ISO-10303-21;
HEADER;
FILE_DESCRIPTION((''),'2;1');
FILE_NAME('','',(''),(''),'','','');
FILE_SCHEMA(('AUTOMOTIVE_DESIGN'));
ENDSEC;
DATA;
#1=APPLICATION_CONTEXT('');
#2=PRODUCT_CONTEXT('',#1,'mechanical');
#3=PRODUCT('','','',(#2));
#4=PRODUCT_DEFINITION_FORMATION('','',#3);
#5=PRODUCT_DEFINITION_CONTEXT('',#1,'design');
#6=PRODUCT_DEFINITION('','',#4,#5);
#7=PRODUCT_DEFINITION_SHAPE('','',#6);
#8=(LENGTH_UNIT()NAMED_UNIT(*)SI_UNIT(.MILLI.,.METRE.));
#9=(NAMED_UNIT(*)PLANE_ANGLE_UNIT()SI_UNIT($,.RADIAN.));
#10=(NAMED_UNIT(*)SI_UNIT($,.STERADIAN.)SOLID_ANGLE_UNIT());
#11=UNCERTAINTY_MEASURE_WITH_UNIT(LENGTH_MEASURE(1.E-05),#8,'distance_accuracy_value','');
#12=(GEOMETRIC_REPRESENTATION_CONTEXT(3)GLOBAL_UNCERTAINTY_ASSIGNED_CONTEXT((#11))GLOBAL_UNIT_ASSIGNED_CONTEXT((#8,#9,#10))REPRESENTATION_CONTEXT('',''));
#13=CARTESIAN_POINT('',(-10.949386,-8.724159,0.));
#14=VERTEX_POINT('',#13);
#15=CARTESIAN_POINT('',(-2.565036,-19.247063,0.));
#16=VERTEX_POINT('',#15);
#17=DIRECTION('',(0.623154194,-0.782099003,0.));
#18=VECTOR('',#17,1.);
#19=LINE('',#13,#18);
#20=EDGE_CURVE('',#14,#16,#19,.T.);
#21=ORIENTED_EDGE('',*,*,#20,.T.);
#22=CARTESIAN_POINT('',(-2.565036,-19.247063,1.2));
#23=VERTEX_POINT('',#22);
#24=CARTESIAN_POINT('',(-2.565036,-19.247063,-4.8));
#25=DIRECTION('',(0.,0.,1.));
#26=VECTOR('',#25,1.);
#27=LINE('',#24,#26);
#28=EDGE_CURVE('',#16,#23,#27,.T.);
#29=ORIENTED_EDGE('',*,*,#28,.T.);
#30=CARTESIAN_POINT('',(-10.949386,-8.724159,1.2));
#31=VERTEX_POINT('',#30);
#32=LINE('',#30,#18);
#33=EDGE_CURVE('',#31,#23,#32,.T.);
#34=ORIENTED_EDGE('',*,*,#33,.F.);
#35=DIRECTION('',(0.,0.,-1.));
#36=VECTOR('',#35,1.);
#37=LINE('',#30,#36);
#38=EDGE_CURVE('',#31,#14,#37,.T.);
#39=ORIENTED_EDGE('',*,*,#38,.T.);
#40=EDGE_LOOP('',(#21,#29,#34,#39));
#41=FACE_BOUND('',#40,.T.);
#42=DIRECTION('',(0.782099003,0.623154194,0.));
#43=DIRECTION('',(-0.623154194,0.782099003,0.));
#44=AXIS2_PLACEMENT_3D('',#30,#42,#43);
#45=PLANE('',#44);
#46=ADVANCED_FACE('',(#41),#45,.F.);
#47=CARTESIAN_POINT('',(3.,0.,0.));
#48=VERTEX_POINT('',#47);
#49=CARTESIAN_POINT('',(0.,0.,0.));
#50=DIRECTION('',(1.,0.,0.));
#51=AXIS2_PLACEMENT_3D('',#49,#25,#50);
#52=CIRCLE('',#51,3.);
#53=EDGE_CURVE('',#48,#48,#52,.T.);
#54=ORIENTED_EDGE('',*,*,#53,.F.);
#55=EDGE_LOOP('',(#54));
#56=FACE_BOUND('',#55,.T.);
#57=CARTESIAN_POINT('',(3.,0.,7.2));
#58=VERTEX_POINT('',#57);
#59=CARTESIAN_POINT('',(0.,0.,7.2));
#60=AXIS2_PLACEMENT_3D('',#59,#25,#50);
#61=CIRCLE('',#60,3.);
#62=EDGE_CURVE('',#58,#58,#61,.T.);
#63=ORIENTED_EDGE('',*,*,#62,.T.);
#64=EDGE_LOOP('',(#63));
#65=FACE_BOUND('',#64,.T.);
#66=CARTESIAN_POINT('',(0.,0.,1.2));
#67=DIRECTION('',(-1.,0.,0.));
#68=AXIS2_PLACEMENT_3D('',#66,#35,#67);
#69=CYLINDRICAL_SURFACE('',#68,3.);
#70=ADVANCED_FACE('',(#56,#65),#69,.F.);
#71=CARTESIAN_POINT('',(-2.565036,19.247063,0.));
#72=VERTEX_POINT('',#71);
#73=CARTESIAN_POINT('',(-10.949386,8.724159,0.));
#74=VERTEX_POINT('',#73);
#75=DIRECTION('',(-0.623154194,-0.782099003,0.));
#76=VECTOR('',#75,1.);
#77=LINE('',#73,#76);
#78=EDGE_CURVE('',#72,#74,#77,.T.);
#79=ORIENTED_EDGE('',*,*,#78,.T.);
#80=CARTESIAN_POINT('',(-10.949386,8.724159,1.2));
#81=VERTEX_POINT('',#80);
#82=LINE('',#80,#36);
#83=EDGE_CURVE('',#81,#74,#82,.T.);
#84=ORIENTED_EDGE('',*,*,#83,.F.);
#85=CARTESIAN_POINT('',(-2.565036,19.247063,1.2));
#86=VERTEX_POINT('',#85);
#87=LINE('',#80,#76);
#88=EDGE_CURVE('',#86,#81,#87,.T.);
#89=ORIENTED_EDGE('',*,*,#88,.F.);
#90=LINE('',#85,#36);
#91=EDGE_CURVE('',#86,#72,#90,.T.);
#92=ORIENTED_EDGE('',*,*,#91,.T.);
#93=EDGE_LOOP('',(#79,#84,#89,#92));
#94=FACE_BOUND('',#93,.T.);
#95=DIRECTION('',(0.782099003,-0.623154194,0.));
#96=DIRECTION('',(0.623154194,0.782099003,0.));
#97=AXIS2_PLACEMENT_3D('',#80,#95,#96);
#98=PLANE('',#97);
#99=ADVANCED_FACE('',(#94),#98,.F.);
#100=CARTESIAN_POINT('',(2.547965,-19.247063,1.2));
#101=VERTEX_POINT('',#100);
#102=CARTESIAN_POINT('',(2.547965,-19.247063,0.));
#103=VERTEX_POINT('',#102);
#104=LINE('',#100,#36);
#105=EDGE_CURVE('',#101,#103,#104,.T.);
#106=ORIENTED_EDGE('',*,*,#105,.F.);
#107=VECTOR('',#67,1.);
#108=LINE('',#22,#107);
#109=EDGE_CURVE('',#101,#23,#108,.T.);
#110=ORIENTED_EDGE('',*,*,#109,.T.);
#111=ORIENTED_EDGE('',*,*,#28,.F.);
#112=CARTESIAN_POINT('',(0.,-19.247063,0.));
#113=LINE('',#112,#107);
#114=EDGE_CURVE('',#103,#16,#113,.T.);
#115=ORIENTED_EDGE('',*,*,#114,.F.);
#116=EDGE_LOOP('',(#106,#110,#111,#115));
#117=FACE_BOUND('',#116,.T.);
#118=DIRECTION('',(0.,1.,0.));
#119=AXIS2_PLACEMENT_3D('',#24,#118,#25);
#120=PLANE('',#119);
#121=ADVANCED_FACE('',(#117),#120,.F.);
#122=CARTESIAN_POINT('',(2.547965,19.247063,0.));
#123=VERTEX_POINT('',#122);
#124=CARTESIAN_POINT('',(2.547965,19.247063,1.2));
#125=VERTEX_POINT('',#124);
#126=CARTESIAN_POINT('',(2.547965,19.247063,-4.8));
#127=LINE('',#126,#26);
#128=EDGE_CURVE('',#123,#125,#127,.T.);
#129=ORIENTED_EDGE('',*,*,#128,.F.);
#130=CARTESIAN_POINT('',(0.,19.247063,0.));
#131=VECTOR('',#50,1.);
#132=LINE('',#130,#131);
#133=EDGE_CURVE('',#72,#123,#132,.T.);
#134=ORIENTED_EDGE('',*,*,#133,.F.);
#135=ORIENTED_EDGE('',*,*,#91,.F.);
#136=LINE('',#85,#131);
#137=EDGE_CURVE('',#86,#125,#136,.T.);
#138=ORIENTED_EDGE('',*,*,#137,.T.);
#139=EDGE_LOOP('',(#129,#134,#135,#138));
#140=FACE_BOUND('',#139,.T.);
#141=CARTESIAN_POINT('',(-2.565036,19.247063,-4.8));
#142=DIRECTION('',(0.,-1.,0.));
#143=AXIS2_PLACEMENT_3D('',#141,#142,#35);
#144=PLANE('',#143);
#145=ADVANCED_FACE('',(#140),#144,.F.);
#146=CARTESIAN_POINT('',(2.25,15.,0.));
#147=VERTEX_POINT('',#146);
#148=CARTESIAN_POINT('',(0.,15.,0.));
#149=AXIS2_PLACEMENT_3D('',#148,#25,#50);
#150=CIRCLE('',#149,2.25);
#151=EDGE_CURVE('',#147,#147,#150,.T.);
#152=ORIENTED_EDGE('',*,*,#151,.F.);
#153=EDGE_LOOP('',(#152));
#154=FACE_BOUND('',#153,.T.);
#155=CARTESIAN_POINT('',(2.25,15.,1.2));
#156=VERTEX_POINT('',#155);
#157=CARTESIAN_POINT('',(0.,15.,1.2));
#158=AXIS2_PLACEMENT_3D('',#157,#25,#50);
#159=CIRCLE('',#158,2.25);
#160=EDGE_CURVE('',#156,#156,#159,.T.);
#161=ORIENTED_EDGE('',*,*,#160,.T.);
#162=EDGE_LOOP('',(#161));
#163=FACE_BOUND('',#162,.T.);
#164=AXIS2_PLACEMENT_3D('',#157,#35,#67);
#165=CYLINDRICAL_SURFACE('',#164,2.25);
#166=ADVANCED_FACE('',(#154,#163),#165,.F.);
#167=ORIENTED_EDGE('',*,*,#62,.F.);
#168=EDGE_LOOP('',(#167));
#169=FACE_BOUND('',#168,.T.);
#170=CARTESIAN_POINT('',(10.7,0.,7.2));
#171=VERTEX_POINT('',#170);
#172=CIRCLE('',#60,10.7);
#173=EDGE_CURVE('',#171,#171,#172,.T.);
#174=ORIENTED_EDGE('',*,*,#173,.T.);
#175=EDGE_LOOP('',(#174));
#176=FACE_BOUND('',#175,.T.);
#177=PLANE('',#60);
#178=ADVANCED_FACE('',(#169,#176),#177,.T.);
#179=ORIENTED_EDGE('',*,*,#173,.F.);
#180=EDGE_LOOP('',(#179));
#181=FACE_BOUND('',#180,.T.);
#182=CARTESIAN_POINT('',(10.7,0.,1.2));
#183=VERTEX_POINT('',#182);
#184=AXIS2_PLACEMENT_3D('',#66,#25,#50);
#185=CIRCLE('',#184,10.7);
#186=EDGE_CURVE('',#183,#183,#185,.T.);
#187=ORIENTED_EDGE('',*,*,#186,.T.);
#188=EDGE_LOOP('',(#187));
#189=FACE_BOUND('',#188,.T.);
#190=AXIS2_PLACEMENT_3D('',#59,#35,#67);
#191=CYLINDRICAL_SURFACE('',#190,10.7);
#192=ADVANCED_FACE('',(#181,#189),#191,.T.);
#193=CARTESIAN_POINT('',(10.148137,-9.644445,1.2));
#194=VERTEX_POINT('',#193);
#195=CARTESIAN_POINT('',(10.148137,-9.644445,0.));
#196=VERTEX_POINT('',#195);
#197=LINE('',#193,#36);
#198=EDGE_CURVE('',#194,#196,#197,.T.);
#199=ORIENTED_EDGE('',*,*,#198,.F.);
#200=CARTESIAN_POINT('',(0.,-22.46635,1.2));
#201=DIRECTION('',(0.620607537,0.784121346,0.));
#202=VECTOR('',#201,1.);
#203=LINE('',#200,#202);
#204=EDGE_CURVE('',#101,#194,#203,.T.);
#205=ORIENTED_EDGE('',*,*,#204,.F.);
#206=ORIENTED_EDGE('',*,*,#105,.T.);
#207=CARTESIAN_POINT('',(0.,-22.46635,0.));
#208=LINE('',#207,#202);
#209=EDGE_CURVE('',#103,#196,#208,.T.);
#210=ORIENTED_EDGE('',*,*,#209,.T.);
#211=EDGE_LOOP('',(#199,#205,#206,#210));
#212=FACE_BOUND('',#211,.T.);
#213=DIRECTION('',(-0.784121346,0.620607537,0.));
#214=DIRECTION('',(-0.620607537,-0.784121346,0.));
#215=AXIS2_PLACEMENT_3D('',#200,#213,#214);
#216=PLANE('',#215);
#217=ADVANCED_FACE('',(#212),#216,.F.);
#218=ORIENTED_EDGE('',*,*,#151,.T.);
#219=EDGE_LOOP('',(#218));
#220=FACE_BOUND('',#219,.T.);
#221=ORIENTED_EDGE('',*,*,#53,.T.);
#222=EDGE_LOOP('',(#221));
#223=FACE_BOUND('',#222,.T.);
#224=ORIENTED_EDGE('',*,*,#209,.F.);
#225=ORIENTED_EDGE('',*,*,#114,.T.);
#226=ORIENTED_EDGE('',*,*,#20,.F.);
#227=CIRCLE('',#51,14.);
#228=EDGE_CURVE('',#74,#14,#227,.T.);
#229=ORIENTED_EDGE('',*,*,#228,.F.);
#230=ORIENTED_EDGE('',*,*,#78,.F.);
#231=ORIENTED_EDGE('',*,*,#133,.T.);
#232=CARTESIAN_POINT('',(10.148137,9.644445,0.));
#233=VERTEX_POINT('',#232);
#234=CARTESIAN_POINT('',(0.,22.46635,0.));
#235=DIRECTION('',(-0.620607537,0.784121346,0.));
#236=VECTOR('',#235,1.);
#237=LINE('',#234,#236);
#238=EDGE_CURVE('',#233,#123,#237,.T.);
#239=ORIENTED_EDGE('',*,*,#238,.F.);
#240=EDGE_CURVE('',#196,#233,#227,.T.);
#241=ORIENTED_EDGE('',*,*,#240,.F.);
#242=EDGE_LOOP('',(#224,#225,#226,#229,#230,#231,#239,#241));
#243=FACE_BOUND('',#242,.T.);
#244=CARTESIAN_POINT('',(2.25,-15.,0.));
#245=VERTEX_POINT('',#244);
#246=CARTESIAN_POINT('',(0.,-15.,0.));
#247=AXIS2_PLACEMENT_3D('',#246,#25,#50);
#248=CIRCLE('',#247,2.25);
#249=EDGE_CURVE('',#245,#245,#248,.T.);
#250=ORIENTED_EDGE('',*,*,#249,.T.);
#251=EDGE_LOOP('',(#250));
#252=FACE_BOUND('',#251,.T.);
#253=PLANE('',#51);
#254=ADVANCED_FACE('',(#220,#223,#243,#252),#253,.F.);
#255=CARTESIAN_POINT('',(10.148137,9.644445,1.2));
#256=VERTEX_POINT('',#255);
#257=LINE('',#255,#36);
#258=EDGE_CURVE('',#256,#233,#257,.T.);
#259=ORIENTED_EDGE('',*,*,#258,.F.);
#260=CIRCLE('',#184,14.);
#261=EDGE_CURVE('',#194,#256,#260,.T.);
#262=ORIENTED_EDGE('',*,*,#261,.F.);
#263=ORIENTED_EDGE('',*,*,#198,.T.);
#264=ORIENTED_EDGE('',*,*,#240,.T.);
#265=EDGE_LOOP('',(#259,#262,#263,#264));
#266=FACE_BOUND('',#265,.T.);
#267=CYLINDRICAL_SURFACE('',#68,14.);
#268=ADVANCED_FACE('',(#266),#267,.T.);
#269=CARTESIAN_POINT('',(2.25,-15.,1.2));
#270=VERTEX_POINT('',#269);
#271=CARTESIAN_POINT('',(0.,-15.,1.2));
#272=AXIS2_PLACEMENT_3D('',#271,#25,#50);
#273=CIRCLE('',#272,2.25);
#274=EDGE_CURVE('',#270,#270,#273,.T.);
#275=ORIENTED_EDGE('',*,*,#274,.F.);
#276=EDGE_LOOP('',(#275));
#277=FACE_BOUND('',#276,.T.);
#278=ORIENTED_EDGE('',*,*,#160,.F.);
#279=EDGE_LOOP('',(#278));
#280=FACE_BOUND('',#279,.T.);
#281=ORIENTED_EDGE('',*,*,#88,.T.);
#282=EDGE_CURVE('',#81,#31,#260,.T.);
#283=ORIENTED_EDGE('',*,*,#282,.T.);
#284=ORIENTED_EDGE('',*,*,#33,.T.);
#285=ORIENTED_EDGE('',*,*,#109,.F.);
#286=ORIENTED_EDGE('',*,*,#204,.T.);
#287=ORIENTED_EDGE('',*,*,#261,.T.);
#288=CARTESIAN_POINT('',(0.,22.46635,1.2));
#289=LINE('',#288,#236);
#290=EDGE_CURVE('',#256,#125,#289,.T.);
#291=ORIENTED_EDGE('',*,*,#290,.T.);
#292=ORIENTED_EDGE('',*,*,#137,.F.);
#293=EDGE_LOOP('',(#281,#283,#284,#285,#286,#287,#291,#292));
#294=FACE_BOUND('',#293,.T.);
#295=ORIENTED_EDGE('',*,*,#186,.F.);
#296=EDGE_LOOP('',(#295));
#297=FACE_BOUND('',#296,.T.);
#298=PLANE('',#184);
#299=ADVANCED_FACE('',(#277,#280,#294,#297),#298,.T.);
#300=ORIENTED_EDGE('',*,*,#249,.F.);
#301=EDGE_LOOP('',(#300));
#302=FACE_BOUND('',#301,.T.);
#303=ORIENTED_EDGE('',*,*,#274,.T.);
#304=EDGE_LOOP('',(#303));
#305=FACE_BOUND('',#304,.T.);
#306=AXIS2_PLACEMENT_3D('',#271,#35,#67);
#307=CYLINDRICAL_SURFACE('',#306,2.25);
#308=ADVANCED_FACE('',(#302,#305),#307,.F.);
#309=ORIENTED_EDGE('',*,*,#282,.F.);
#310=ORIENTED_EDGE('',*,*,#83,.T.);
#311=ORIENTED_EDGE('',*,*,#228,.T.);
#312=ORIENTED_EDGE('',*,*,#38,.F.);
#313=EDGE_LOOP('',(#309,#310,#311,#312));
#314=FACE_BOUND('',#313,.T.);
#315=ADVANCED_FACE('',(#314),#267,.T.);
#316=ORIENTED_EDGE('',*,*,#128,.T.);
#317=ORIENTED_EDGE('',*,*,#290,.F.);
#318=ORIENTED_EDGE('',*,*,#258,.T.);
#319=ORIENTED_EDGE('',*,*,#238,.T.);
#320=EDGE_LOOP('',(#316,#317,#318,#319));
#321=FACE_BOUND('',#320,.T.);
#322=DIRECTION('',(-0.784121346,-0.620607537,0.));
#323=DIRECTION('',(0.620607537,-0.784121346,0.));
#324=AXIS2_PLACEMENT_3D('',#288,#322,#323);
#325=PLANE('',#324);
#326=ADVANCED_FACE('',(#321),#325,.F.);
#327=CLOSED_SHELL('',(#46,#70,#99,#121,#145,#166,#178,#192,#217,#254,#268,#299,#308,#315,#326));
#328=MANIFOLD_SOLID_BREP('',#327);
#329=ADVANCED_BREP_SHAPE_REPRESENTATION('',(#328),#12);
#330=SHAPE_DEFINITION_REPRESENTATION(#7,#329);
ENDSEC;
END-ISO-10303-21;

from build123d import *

# Parameters (mm, degrees)
SKETCH_1_R          = 2.25
SKETCH_1_R_2        = 3
EXTRUDE_1_DEPTH     = 1.2
SKETCH_2_R          = 10.7
SKETCH_2_R_2        = 3
EXTRUDE_2_DEPTH     = 6
CUT_EXTRUDE_1_DEPTH = 6


with BuildPart() as part:
    # ｽｹｯﾁ1 → ﾎﾞｽ - 押し出し1 (new body)
    with BuildSketch(Plane.XY):
        with BuildLine():
            Line((-10.949386038, 8.724158721), (0, 22.466349623))
            Line((0, 22.466349623), (10.148136548, 9.644445272))
            ThreePointArc((10.148136548, 9.644445272), (14, 0), (10.148136548, -9.644445272))
            Line((10.148136548, -9.644445272), (0, -22.466349623))
            Line((0, -22.466349623), (-10.949386038, -8.724158721))
            ThreePointArc((-10.949386038, -8.724158721), (-14, 0), (-10.949386038, 8.724158721))
        make_face()
        with Locations((0, 15)):
            Circle(SKETCH_1_R, mode=Mode.SUBTRACT)
        with Locations((0, -15)):
            Circle(SKETCH_1_R, mode=Mode.SUBTRACT)
        Circle(SKETCH_1_R_2, mode=Mode.SUBTRACT)
    extrude(amount=EXTRUDE_1_DEPTH)

    # ｽｹｯﾁ2 → ﾎﾞｽ - 押し出し2 (add)
    with BuildSketch(Plane.XY.offset(1.2)):
        Circle(SKETCH_2_R)
        Circle(SKETCH_2_R_2, mode=Mode.SUBTRACT)
    extrude(amount=EXTRUDE_2_DEPTH)

    # ｽｹｯﾁ3 → ｶｯﾄ - 押し出し1 (cut)
    with BuildSketch(Plane.XY.offset(1.2)):
        Polygon((-2.565036178, 19.24706256), (2.547965093, 19.24706256), (0, 22.466349623), align=None)
        Polygon((-2.565036178, -19.24706256), (2.547965093, -19.24706256), (0, -22.466349623), align=None)
    extrude(amount=-CUT_EXTRUDE_1_DEPTH, mode=Mode.SUBTRACT)


solid = part.part
